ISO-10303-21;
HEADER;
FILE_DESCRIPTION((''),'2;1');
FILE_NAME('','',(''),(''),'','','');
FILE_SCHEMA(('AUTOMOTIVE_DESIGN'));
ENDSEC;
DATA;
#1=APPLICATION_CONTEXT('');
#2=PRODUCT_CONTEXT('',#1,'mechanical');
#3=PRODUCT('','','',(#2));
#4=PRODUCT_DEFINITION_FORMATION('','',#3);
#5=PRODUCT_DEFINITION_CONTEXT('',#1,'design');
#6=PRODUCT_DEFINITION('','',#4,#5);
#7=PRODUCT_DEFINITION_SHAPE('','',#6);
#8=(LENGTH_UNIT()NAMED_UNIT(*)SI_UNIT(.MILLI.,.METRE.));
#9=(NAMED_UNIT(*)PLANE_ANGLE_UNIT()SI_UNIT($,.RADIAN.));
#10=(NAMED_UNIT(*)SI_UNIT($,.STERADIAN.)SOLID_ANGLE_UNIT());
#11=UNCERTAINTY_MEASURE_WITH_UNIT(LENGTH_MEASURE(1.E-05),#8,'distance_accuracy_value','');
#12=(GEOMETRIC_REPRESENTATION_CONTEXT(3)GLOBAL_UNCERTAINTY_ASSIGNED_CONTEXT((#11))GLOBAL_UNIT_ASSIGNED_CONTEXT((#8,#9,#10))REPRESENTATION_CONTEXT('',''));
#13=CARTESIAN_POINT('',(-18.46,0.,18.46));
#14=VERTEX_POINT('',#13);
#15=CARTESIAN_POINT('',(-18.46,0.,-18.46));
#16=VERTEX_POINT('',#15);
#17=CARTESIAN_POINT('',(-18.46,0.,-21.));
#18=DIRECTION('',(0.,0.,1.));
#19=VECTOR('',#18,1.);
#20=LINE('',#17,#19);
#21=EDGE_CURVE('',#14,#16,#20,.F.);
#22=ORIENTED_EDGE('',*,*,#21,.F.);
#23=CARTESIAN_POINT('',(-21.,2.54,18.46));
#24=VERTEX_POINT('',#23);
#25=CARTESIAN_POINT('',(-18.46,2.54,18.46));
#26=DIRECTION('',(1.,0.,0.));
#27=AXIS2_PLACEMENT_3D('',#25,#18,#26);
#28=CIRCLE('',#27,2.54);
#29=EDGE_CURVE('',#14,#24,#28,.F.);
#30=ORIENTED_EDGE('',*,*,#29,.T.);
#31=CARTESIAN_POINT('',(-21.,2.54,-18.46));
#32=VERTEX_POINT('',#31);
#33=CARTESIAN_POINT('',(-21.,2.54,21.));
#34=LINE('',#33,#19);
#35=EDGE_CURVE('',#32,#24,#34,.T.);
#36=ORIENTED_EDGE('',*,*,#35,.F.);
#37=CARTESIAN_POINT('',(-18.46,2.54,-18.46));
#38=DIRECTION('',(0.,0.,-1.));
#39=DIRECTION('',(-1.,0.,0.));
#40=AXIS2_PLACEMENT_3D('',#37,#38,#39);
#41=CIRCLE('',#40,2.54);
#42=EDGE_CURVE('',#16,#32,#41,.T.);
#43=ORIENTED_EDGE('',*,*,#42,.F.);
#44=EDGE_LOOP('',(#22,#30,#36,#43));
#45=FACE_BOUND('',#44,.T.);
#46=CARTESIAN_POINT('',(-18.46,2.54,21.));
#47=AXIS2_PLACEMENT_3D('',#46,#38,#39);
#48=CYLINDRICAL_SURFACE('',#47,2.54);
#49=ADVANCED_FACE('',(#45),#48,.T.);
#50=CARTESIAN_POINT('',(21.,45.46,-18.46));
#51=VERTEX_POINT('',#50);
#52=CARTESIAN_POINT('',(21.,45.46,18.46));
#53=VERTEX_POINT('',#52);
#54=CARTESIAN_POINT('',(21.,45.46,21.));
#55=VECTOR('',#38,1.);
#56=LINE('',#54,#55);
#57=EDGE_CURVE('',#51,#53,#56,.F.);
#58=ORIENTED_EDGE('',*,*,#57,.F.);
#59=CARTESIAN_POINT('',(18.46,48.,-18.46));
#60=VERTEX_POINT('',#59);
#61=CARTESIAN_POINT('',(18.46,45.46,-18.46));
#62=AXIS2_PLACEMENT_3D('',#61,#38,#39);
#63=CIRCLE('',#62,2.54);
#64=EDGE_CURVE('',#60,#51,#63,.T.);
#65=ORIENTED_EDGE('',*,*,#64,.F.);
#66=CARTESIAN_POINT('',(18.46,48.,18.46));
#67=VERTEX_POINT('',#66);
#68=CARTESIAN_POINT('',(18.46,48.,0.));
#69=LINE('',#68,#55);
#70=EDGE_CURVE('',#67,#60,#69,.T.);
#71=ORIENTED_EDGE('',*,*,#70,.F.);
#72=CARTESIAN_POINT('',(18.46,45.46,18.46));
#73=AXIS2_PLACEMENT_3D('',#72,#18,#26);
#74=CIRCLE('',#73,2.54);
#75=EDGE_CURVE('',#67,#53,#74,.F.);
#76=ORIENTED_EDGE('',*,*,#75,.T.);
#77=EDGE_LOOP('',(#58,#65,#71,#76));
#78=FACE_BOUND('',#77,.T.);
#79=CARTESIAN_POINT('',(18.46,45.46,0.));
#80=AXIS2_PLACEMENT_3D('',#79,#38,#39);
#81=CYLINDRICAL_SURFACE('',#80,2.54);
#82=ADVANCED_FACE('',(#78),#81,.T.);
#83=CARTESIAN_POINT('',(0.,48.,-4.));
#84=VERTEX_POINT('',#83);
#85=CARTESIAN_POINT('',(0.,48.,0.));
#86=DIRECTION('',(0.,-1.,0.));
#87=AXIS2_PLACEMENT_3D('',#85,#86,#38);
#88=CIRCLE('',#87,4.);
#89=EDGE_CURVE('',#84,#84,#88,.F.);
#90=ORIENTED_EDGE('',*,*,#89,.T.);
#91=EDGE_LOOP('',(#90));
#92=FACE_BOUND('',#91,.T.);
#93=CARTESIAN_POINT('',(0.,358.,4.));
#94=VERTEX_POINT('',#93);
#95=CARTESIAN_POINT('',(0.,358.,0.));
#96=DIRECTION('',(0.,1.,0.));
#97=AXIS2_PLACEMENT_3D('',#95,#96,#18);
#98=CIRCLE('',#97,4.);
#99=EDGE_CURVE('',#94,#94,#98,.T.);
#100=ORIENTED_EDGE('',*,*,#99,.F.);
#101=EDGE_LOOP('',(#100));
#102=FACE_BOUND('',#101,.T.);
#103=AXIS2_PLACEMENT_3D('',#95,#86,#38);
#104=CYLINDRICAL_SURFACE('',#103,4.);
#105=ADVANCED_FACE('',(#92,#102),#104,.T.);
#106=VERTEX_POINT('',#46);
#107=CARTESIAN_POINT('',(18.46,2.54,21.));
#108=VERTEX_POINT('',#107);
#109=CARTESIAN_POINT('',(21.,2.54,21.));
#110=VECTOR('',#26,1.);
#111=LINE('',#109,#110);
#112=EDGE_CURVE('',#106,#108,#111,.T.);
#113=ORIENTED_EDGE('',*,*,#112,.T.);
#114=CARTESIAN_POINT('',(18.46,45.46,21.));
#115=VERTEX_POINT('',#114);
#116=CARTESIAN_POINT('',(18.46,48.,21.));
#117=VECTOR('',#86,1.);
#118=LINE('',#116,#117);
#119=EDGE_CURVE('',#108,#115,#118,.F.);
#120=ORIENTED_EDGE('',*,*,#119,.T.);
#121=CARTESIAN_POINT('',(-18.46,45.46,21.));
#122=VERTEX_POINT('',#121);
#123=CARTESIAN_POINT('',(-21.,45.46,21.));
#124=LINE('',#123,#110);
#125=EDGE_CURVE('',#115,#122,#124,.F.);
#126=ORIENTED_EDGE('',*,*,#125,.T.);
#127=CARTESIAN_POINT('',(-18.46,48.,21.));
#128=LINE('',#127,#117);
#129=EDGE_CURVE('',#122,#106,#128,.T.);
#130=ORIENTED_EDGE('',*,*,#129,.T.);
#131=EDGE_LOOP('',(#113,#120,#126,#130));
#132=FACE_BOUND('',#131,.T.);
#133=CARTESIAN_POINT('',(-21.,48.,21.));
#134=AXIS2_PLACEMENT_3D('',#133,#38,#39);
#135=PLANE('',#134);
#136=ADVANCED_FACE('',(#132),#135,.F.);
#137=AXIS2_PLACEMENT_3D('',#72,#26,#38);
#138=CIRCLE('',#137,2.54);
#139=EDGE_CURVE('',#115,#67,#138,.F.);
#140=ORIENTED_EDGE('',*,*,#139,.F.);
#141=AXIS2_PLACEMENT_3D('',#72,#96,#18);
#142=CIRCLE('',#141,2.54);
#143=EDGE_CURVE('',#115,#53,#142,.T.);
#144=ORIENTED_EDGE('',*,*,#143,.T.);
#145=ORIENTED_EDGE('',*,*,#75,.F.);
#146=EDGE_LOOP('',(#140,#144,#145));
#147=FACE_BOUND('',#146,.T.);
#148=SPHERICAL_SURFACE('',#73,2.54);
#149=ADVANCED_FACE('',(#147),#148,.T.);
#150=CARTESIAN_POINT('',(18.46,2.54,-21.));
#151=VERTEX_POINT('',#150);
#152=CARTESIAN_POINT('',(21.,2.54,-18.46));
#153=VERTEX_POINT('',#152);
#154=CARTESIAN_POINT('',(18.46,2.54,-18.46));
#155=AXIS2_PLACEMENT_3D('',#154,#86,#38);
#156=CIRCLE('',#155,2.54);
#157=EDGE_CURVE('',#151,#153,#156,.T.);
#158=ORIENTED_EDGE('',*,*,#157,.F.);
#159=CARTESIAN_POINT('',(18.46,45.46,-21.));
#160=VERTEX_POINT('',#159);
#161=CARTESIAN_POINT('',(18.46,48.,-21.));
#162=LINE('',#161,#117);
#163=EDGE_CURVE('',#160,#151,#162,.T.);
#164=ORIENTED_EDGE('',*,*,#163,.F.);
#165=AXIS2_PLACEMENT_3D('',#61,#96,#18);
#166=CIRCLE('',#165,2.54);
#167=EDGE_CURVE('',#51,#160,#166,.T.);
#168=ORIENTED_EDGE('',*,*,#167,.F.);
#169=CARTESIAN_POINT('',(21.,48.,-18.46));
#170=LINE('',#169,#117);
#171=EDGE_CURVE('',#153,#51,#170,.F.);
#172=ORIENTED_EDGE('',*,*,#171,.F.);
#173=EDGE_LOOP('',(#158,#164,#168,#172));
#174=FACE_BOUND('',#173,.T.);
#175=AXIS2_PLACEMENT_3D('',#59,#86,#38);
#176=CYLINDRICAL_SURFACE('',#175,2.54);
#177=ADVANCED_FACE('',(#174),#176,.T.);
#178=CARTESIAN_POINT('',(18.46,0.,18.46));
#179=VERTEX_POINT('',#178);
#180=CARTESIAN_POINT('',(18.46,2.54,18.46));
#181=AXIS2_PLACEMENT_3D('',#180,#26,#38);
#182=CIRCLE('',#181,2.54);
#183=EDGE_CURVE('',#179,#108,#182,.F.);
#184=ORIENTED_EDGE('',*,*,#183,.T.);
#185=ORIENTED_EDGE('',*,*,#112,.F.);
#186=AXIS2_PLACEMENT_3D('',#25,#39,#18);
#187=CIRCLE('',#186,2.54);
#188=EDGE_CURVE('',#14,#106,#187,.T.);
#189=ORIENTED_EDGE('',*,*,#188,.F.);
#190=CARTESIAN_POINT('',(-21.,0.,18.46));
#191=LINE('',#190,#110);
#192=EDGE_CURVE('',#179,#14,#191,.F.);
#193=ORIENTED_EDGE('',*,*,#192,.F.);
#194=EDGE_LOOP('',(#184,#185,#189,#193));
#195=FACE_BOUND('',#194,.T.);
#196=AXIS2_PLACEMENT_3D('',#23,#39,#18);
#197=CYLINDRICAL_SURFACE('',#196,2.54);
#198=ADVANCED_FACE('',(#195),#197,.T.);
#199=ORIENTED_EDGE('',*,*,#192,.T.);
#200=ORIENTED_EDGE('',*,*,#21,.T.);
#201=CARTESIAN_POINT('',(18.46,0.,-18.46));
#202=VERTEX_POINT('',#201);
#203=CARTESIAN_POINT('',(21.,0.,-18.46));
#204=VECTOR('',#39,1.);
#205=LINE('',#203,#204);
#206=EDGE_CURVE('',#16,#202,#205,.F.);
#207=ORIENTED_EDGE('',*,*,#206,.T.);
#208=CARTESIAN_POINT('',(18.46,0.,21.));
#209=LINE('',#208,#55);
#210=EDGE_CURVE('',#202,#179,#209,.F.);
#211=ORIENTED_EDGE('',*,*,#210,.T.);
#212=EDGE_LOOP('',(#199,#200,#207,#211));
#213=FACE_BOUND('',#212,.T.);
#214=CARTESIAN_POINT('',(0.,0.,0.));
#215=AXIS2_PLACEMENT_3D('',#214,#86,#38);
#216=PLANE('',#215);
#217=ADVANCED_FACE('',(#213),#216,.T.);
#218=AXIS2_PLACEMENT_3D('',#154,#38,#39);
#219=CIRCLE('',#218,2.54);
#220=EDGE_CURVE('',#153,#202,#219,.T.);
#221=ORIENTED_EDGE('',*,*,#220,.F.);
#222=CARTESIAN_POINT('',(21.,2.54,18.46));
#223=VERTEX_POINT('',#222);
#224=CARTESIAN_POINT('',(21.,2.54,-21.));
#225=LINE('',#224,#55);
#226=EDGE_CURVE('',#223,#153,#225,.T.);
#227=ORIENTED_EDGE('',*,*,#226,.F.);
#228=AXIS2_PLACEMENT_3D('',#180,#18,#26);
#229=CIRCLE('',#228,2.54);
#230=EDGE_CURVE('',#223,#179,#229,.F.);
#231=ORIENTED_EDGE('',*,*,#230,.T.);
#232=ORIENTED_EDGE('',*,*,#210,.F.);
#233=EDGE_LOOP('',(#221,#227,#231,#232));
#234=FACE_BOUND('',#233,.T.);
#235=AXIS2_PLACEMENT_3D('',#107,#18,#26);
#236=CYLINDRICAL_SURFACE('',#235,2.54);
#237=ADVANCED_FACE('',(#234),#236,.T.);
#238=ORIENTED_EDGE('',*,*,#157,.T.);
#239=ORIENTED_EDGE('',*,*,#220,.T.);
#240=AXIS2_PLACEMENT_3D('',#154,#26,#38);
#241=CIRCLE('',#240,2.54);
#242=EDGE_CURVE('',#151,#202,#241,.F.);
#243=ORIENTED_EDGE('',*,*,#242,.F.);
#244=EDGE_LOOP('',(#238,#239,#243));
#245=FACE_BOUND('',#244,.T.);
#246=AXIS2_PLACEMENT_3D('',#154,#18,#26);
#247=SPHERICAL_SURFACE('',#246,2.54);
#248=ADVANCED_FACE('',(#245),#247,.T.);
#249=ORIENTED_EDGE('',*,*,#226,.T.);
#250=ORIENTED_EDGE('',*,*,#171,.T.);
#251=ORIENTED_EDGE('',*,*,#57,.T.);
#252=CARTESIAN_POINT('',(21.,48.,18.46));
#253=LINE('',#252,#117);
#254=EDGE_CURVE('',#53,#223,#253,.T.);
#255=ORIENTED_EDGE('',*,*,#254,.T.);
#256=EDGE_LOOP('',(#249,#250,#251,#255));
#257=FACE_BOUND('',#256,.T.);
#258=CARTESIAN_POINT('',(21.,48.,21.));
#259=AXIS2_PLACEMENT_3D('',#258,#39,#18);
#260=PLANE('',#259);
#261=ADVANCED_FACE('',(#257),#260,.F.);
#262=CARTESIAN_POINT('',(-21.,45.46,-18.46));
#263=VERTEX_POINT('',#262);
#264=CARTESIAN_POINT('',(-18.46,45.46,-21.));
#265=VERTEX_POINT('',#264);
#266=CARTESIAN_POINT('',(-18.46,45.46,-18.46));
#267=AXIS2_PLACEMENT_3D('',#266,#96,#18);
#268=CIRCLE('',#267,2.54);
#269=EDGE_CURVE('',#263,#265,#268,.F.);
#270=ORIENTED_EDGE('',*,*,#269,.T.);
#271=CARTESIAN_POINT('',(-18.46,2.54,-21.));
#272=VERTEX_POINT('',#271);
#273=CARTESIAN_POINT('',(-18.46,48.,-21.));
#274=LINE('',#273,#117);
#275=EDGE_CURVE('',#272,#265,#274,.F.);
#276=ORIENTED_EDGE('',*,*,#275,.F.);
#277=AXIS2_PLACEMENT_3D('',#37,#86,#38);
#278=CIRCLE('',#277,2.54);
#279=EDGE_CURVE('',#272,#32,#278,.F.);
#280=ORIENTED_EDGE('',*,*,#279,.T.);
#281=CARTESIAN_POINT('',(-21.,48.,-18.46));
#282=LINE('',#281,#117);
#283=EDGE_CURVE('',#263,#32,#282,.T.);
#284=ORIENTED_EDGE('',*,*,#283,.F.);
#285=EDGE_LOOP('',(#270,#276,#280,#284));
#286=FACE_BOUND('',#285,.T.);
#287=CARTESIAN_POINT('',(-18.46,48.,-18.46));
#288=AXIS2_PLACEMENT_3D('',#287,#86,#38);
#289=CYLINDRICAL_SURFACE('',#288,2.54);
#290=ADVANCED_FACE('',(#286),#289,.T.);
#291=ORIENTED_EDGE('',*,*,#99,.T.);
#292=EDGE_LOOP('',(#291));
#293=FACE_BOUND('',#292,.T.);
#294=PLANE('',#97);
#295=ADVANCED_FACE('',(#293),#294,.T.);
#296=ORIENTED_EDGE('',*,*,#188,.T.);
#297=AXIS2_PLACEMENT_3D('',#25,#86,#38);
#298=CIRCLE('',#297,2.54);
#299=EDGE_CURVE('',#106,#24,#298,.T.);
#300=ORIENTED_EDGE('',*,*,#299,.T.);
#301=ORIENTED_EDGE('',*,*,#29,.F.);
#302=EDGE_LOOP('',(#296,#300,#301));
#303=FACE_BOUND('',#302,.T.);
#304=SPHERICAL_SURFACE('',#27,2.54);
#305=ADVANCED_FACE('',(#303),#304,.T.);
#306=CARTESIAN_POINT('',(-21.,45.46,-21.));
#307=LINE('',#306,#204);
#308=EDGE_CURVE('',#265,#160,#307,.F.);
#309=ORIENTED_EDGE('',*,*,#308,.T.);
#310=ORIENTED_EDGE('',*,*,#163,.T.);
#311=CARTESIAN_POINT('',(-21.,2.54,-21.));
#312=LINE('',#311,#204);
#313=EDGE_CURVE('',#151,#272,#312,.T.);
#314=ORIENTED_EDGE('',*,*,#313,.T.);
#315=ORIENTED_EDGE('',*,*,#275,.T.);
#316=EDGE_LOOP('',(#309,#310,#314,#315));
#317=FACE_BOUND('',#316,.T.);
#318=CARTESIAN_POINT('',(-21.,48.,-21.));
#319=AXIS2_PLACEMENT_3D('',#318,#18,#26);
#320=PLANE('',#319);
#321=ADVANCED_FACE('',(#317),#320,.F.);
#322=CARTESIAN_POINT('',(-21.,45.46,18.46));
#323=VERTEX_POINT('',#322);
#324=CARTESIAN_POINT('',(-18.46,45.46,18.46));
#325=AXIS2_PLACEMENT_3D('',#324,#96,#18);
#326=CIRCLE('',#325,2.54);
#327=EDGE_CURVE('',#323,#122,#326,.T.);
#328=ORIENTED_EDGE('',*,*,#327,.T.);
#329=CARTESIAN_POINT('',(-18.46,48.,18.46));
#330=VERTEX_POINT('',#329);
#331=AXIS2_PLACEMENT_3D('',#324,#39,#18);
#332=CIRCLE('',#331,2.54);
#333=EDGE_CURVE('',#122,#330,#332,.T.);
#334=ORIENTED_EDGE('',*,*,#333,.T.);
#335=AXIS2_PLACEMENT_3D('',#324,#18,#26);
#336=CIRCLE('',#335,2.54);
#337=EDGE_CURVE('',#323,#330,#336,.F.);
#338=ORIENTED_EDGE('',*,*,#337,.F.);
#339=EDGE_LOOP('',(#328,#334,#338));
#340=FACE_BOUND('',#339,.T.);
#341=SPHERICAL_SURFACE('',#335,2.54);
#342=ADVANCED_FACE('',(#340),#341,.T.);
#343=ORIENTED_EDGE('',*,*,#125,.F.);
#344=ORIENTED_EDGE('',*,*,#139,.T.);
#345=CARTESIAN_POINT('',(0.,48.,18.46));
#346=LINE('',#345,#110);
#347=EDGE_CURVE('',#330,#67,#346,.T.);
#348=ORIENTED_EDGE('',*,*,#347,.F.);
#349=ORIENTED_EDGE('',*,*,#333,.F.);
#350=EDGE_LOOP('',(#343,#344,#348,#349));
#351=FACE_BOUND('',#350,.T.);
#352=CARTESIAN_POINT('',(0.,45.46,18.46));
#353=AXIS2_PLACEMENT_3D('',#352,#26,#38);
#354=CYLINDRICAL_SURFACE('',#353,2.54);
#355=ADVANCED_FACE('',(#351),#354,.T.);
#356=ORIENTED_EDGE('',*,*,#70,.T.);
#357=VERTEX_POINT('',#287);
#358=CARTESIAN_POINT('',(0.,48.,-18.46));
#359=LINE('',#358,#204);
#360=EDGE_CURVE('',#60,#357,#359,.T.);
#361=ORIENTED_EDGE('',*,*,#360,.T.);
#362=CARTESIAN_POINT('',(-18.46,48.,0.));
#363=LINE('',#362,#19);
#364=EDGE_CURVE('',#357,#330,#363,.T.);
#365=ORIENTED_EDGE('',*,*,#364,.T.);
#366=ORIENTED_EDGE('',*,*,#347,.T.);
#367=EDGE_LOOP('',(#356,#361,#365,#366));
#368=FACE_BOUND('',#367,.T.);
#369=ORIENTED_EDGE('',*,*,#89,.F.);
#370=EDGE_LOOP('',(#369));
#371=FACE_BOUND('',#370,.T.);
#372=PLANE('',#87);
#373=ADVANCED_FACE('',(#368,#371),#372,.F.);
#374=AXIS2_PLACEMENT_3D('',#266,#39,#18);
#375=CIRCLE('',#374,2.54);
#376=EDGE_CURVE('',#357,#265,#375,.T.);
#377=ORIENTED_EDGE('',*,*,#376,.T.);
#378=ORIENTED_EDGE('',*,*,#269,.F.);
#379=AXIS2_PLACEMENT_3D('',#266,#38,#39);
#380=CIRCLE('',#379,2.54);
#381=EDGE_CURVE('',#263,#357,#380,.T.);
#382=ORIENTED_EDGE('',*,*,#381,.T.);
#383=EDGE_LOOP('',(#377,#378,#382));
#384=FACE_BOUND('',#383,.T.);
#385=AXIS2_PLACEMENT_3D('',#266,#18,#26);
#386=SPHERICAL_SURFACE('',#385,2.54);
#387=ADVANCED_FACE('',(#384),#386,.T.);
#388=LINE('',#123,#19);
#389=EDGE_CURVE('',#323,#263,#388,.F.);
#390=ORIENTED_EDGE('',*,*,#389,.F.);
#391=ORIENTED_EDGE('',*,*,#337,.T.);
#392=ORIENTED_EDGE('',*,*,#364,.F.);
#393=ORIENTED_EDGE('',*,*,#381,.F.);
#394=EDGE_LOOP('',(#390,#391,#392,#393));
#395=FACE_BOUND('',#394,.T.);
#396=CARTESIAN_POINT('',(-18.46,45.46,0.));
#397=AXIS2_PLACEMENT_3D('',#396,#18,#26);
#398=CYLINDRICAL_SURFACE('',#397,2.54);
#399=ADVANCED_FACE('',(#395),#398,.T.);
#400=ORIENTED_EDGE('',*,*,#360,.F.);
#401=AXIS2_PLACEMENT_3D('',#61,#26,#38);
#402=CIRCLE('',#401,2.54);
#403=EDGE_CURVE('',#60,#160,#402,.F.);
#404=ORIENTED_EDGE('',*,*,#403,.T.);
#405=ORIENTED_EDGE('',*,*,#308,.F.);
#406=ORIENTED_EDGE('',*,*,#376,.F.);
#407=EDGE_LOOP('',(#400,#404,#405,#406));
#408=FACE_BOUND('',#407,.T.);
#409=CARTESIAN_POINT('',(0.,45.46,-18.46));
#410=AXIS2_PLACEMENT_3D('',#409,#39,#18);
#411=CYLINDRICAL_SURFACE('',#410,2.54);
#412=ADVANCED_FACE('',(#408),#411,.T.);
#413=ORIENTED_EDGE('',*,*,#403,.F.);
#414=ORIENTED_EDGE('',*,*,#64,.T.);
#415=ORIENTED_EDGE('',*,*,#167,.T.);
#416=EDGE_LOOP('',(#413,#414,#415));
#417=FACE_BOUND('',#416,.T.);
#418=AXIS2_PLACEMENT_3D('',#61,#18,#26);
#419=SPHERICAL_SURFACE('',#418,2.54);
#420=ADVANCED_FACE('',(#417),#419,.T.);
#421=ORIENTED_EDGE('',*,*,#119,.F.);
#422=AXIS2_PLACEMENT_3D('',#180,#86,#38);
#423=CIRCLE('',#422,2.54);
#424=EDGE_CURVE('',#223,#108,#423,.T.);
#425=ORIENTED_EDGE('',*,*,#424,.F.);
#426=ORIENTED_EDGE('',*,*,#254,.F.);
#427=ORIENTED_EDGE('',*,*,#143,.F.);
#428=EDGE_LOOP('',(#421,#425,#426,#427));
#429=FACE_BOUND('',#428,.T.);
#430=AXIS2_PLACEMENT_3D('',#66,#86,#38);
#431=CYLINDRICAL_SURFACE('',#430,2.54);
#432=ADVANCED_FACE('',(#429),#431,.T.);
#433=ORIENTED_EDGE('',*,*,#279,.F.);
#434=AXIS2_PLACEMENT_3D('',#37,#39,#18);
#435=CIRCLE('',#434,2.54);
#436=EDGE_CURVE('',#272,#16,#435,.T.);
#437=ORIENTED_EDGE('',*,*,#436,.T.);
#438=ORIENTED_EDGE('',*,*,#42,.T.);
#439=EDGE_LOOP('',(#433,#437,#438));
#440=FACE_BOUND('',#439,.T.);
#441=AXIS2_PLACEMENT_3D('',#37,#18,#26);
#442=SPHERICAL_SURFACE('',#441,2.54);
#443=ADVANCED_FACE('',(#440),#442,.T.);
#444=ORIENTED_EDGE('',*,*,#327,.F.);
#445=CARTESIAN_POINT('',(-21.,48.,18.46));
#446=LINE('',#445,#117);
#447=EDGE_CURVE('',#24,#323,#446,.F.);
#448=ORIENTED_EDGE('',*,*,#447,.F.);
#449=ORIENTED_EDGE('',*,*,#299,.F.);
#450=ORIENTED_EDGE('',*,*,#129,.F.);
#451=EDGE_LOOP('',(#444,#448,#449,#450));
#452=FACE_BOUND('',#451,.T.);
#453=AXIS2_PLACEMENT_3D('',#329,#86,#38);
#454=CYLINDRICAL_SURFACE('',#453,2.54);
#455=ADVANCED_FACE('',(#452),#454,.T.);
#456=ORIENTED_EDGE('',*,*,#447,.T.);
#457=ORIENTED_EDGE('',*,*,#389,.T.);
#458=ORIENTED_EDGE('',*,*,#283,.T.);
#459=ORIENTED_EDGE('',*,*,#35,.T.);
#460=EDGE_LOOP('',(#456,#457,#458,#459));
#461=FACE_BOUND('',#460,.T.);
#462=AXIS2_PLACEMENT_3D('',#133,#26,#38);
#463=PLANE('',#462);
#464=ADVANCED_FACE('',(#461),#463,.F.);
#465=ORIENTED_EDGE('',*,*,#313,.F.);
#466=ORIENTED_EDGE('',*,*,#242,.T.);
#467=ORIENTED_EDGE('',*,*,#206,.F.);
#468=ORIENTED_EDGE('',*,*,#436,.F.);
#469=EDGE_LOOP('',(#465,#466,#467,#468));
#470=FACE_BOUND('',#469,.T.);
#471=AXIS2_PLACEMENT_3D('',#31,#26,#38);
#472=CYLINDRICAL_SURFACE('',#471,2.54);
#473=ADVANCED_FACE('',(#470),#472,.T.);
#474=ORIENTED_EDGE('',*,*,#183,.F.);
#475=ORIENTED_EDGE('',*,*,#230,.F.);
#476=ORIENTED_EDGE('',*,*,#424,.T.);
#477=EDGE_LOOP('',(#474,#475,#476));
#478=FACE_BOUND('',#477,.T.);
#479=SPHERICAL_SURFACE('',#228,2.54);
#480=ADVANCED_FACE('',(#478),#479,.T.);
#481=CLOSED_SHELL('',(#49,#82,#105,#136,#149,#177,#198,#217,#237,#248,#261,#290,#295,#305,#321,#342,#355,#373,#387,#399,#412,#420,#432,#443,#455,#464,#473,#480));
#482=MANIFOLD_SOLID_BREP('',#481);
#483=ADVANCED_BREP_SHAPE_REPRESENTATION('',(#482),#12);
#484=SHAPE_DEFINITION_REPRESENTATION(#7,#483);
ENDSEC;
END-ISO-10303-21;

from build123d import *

# Parameters (mm, degrees)
SKETCH1_W           = 42
SKETCH1_H           = 42
BOSS_EXTRUDE1_DEPTH = 48
SKETCH2_R           = 4
BOSS_EXTRUDE2_DEPTH = 310
FILLET1_R           = 2.54


with BuildPart() as part:
    # Sketch1 → Boss-Extrude1 (new body)
    with BuildSketch(Plane(origin=(0, 0, 0), x_dir=(1, 0, 0), z_dir=(0, 1, 0))):
        Rectangle(SKETCH1_W, SKETCH1_H)
    extrude(amount=BOSS_EXTRUDE1_DEPTH)

    # Sketch2 → Boss-Extrude2 (add)
    with BuildSketch(Plane(origin=(0, 48, 0), x_dir=(1, 0, 0), z_dir=(0, 1, 0))):
        with Locations(Location((0, 0, 0), (0, 0, 90))):
            Circle(SKETCH2_R)
    extrude(amount=BOSS_EXTRUDE2_DEPTH)

    # Fillet1
    fillet1_edges = [part.edges().sort_by_distance(p)[0] for p in [
        (-21, 48, 0),
        (0, 48, 21),
        (21, 48, 0),
        (0, 0, 21),
        (-21, 0, 0),
        (0, 0, -21),
        (21, 0, 0),
        (0, 48, -21),
        (21, 24, 21),
        (-21, 24, 21),
        (-21, 24, -21),
        (21, 24, -21),
    ]]
    fillet(fillet1_edges, radius=FILLET1_R)


solid = part.part
